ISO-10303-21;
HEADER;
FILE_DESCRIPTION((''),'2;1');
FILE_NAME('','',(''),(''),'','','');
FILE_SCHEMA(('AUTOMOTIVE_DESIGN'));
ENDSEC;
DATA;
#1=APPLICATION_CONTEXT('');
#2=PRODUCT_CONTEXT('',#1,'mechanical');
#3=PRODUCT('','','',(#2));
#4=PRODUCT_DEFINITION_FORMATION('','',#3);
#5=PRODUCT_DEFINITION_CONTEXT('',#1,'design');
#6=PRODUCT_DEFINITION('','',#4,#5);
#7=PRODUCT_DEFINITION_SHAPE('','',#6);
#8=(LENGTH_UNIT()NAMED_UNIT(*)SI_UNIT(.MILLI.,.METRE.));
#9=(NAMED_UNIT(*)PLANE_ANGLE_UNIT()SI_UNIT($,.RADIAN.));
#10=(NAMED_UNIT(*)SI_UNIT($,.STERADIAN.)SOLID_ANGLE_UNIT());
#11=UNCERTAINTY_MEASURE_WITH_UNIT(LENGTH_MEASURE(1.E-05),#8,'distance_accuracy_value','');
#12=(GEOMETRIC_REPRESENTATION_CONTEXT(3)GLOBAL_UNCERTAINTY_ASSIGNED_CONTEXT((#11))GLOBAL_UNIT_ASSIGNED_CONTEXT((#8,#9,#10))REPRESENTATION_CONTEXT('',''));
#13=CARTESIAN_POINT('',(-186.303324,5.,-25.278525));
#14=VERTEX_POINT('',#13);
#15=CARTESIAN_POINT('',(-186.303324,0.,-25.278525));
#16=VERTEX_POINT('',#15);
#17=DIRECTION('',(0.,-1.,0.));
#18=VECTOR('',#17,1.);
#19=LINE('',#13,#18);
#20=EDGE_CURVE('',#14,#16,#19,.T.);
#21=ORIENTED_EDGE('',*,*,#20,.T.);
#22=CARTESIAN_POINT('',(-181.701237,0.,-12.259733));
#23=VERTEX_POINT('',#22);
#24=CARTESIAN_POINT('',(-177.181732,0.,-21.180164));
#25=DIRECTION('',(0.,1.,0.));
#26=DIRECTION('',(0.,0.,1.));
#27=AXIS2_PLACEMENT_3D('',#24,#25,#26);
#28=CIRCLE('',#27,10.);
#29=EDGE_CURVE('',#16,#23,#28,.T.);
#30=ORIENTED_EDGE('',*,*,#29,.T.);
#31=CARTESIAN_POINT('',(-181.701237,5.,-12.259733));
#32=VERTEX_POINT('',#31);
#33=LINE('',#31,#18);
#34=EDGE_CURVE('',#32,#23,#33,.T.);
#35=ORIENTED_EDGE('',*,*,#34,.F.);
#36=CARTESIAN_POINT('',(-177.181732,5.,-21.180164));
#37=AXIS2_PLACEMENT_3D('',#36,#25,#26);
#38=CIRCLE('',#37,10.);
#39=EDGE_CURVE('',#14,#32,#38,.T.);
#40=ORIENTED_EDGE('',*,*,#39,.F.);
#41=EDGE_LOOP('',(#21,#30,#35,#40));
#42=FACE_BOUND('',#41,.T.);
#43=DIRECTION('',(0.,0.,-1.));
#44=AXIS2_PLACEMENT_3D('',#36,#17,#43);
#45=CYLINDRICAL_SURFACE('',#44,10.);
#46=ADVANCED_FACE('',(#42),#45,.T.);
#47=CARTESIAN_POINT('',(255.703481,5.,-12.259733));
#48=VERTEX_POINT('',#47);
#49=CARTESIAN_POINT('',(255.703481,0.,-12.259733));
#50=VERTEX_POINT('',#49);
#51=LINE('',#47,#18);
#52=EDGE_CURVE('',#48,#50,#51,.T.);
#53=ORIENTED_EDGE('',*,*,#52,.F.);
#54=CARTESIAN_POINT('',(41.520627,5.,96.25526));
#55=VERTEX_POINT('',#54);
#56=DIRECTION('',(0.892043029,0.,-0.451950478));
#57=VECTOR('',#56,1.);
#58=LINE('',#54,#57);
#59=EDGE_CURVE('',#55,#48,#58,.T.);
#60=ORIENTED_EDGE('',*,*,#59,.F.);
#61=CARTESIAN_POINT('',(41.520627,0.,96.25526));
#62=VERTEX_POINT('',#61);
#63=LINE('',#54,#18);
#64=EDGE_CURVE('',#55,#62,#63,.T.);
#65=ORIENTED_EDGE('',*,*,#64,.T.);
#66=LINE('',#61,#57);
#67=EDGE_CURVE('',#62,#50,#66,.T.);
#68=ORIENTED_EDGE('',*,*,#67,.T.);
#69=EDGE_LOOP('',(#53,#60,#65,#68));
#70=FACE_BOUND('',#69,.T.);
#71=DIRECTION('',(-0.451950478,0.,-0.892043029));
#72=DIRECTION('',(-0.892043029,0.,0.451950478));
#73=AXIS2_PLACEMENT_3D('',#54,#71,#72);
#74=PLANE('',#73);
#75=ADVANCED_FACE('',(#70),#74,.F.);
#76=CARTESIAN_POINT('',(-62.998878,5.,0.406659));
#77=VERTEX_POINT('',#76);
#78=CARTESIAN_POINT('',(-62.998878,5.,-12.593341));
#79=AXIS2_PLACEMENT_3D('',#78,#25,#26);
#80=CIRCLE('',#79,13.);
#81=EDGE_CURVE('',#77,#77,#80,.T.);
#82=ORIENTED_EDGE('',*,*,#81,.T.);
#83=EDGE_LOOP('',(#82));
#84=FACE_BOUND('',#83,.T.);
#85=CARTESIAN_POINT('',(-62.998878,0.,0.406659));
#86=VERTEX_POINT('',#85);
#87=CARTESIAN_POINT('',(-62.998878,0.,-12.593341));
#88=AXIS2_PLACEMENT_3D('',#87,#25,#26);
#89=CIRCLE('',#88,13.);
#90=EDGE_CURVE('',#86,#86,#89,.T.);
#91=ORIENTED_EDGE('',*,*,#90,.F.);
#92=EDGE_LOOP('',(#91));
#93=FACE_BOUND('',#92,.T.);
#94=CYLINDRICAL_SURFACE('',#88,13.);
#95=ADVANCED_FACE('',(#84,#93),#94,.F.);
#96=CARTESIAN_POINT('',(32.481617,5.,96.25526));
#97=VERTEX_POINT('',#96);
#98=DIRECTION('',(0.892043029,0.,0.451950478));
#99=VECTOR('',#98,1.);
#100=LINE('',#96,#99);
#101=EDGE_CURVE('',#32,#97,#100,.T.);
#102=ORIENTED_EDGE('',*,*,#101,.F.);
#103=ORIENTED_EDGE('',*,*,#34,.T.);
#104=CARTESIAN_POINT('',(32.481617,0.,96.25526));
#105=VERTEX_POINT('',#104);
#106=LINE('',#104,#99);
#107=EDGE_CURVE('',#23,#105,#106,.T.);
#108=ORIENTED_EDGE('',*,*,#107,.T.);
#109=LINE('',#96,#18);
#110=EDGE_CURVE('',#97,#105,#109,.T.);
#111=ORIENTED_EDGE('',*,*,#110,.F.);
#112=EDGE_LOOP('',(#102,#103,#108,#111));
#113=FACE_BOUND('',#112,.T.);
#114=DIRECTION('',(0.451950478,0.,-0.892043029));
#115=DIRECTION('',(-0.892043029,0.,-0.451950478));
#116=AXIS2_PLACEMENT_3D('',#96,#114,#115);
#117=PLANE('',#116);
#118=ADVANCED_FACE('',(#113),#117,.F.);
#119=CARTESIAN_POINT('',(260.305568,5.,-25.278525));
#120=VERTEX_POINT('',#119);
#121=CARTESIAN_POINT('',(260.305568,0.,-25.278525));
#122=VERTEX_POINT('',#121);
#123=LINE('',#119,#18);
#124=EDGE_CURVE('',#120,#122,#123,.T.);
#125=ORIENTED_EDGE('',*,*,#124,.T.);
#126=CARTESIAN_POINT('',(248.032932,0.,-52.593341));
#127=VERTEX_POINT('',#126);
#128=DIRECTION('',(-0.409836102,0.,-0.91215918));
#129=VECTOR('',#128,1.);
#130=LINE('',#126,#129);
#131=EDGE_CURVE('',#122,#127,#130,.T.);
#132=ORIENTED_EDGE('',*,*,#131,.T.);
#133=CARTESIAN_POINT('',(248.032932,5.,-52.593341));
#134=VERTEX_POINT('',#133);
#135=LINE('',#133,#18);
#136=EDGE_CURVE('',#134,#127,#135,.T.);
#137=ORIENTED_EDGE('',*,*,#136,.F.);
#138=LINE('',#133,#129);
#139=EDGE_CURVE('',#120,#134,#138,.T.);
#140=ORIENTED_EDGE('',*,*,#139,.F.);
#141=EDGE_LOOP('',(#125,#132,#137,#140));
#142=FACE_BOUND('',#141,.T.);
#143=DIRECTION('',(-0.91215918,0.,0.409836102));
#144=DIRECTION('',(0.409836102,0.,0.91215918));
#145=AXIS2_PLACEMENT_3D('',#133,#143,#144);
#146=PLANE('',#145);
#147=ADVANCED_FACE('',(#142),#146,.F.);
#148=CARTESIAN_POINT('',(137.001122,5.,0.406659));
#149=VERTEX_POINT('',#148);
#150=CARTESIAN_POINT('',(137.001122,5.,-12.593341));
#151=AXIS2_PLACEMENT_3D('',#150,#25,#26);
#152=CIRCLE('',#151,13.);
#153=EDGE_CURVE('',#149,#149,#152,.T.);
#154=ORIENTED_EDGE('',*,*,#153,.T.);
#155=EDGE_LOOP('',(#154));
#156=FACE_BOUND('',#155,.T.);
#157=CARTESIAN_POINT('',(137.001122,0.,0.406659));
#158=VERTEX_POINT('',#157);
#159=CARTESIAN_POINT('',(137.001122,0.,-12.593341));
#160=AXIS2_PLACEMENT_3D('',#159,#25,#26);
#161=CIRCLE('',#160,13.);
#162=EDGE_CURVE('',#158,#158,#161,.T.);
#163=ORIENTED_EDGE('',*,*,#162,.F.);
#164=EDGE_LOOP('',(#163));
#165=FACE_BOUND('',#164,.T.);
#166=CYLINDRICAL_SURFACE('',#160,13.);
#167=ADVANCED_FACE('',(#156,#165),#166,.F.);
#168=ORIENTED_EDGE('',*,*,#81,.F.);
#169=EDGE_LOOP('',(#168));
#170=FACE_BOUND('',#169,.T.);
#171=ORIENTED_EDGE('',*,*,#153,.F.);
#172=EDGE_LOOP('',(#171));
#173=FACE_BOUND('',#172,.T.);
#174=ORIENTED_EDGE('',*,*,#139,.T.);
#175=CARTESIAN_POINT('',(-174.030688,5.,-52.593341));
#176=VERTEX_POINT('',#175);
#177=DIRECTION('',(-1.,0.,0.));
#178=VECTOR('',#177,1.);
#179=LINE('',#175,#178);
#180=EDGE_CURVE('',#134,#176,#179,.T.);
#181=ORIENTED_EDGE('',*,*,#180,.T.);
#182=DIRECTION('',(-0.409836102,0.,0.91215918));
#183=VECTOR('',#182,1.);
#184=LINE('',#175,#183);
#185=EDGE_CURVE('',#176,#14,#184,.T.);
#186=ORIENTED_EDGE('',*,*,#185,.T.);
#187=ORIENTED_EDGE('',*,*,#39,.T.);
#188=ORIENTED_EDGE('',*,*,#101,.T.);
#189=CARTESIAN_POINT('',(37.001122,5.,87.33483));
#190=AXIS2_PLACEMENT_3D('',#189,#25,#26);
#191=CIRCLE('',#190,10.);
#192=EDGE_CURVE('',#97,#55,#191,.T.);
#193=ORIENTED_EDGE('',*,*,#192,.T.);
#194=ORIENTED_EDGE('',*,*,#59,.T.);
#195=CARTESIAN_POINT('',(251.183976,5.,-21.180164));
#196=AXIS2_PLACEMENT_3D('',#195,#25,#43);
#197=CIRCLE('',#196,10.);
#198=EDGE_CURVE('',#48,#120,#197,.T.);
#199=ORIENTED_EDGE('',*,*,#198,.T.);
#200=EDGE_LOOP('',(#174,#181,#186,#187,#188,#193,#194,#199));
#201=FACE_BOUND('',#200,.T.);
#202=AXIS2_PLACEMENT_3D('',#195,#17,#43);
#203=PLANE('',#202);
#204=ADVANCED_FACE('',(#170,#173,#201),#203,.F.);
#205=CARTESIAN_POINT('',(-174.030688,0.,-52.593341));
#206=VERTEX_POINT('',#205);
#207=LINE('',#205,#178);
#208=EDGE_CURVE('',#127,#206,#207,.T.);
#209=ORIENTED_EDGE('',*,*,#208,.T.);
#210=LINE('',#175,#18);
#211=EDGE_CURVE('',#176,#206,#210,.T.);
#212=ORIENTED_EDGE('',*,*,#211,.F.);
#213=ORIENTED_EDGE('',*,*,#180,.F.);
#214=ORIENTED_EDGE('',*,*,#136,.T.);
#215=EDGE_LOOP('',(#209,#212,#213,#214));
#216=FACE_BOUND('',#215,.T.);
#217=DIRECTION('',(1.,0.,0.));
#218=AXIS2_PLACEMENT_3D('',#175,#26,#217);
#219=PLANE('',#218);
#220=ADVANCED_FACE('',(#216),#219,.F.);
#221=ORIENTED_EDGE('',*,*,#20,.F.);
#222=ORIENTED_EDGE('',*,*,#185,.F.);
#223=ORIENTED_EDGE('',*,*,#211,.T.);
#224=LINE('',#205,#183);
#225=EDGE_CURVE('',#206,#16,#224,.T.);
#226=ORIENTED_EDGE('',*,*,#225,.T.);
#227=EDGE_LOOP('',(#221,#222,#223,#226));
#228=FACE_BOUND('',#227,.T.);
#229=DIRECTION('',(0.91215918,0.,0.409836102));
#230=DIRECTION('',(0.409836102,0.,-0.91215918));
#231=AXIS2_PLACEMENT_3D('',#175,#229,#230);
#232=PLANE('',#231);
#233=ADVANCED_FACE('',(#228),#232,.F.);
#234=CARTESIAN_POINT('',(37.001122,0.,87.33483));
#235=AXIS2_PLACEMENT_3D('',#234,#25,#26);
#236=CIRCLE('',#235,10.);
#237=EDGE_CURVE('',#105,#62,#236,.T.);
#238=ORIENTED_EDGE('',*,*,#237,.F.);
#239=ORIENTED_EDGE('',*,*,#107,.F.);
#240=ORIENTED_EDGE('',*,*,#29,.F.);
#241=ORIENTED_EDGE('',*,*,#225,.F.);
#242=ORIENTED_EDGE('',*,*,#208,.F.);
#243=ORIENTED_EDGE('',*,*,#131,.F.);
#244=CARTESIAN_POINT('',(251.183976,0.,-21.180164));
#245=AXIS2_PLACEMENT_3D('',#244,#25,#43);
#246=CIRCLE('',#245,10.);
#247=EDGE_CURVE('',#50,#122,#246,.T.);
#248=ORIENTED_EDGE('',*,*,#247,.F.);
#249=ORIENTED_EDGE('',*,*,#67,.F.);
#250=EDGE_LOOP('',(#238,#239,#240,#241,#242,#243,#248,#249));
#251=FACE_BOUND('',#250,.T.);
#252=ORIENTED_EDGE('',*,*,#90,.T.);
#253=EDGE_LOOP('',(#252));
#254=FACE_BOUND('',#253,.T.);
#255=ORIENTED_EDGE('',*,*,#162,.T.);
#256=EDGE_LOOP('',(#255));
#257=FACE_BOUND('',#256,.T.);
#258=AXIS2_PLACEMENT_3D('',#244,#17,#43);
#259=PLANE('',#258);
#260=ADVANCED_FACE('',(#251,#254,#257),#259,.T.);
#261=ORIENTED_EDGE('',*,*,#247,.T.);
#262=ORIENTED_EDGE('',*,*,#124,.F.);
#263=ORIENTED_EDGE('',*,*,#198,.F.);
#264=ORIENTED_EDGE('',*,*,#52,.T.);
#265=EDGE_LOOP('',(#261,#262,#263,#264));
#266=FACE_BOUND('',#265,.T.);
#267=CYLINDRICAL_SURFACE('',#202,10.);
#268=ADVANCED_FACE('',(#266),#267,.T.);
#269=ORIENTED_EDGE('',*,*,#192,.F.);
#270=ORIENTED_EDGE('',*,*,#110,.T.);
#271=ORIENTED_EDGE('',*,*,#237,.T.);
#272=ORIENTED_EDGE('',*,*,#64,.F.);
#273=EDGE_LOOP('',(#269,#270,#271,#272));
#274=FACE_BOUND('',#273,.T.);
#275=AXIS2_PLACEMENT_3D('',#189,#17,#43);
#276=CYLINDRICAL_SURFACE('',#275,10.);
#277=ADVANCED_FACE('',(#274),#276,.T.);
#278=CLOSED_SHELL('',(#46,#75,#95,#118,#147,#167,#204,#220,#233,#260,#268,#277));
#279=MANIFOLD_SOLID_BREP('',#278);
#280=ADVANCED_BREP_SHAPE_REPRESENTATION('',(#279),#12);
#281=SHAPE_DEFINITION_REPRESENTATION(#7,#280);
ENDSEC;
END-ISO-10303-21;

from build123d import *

# Parameters (mm, degrees)
BOSS_EXTRUDE1_DEPTH = 5
SKETCH2_R           = 13
CUT_EXTRUDE1_DEPTH  = 5


with BuildPart() as part:
    # Sketch1 → Boss-Extrude1 (new body)
    with BuildSketch(Plane(origin=(0, 0, 0), x_dir=(1, 0, 0), z_dir=(0, 1, 0))):
        with BuildLine():
            Line((248.032931618, 52.593341059), (260.305567907, 25.2785247))
            ThreePointArc((260.305567907, 25.2785247), (260.612237386, 17.847313664), (255.703480887, 12.259733394))
            Line((255.703480887, 12.259733394), (41.520626689, -96.255259938))
            ThreePointArc((41.520626689, -96.255259938), (37.001121909, -97.334829649), (32.481617129, -96.255259938))
            Line((32.481617129, -96.255259938), (-181.70123707, 12.259733394))
            ThreePointArc((-181.70123707, 12.259733394), (-186.609993569, 17.847313664), (-186.30332409, 25.2785247))
            Line((-186.30332409, 25.2785247), (-174.0306878, 52.593341059))
            Line((-174.0306878, 52.593341059), (248.032931618, 52.593341059))
        make_face()
    extrude(amount=BOSS_EXTRUDE1_DEPTH)

    # Sketch2 → Cut-Extrude1 (cut)
    with BuildSketch(Plane(origin=(0, 5, 0), x_dir=(1, 0, 0), z_dir=(0, 1, 0))):
        with Locations(Location((137.001121909, 12.593341059, 0), (0, 0, 270))):
            Circle(SKETCH2_R)
        with Locations(Location((-62.998878091, 12.593341059, 0), (0, 0, 270))):
            Circle(SKETCH2_R)
    extrude(amount=-CUT_EXTRUDE1_DEPTH, mode=Mode.SUBTRACT)


solid = part.part
